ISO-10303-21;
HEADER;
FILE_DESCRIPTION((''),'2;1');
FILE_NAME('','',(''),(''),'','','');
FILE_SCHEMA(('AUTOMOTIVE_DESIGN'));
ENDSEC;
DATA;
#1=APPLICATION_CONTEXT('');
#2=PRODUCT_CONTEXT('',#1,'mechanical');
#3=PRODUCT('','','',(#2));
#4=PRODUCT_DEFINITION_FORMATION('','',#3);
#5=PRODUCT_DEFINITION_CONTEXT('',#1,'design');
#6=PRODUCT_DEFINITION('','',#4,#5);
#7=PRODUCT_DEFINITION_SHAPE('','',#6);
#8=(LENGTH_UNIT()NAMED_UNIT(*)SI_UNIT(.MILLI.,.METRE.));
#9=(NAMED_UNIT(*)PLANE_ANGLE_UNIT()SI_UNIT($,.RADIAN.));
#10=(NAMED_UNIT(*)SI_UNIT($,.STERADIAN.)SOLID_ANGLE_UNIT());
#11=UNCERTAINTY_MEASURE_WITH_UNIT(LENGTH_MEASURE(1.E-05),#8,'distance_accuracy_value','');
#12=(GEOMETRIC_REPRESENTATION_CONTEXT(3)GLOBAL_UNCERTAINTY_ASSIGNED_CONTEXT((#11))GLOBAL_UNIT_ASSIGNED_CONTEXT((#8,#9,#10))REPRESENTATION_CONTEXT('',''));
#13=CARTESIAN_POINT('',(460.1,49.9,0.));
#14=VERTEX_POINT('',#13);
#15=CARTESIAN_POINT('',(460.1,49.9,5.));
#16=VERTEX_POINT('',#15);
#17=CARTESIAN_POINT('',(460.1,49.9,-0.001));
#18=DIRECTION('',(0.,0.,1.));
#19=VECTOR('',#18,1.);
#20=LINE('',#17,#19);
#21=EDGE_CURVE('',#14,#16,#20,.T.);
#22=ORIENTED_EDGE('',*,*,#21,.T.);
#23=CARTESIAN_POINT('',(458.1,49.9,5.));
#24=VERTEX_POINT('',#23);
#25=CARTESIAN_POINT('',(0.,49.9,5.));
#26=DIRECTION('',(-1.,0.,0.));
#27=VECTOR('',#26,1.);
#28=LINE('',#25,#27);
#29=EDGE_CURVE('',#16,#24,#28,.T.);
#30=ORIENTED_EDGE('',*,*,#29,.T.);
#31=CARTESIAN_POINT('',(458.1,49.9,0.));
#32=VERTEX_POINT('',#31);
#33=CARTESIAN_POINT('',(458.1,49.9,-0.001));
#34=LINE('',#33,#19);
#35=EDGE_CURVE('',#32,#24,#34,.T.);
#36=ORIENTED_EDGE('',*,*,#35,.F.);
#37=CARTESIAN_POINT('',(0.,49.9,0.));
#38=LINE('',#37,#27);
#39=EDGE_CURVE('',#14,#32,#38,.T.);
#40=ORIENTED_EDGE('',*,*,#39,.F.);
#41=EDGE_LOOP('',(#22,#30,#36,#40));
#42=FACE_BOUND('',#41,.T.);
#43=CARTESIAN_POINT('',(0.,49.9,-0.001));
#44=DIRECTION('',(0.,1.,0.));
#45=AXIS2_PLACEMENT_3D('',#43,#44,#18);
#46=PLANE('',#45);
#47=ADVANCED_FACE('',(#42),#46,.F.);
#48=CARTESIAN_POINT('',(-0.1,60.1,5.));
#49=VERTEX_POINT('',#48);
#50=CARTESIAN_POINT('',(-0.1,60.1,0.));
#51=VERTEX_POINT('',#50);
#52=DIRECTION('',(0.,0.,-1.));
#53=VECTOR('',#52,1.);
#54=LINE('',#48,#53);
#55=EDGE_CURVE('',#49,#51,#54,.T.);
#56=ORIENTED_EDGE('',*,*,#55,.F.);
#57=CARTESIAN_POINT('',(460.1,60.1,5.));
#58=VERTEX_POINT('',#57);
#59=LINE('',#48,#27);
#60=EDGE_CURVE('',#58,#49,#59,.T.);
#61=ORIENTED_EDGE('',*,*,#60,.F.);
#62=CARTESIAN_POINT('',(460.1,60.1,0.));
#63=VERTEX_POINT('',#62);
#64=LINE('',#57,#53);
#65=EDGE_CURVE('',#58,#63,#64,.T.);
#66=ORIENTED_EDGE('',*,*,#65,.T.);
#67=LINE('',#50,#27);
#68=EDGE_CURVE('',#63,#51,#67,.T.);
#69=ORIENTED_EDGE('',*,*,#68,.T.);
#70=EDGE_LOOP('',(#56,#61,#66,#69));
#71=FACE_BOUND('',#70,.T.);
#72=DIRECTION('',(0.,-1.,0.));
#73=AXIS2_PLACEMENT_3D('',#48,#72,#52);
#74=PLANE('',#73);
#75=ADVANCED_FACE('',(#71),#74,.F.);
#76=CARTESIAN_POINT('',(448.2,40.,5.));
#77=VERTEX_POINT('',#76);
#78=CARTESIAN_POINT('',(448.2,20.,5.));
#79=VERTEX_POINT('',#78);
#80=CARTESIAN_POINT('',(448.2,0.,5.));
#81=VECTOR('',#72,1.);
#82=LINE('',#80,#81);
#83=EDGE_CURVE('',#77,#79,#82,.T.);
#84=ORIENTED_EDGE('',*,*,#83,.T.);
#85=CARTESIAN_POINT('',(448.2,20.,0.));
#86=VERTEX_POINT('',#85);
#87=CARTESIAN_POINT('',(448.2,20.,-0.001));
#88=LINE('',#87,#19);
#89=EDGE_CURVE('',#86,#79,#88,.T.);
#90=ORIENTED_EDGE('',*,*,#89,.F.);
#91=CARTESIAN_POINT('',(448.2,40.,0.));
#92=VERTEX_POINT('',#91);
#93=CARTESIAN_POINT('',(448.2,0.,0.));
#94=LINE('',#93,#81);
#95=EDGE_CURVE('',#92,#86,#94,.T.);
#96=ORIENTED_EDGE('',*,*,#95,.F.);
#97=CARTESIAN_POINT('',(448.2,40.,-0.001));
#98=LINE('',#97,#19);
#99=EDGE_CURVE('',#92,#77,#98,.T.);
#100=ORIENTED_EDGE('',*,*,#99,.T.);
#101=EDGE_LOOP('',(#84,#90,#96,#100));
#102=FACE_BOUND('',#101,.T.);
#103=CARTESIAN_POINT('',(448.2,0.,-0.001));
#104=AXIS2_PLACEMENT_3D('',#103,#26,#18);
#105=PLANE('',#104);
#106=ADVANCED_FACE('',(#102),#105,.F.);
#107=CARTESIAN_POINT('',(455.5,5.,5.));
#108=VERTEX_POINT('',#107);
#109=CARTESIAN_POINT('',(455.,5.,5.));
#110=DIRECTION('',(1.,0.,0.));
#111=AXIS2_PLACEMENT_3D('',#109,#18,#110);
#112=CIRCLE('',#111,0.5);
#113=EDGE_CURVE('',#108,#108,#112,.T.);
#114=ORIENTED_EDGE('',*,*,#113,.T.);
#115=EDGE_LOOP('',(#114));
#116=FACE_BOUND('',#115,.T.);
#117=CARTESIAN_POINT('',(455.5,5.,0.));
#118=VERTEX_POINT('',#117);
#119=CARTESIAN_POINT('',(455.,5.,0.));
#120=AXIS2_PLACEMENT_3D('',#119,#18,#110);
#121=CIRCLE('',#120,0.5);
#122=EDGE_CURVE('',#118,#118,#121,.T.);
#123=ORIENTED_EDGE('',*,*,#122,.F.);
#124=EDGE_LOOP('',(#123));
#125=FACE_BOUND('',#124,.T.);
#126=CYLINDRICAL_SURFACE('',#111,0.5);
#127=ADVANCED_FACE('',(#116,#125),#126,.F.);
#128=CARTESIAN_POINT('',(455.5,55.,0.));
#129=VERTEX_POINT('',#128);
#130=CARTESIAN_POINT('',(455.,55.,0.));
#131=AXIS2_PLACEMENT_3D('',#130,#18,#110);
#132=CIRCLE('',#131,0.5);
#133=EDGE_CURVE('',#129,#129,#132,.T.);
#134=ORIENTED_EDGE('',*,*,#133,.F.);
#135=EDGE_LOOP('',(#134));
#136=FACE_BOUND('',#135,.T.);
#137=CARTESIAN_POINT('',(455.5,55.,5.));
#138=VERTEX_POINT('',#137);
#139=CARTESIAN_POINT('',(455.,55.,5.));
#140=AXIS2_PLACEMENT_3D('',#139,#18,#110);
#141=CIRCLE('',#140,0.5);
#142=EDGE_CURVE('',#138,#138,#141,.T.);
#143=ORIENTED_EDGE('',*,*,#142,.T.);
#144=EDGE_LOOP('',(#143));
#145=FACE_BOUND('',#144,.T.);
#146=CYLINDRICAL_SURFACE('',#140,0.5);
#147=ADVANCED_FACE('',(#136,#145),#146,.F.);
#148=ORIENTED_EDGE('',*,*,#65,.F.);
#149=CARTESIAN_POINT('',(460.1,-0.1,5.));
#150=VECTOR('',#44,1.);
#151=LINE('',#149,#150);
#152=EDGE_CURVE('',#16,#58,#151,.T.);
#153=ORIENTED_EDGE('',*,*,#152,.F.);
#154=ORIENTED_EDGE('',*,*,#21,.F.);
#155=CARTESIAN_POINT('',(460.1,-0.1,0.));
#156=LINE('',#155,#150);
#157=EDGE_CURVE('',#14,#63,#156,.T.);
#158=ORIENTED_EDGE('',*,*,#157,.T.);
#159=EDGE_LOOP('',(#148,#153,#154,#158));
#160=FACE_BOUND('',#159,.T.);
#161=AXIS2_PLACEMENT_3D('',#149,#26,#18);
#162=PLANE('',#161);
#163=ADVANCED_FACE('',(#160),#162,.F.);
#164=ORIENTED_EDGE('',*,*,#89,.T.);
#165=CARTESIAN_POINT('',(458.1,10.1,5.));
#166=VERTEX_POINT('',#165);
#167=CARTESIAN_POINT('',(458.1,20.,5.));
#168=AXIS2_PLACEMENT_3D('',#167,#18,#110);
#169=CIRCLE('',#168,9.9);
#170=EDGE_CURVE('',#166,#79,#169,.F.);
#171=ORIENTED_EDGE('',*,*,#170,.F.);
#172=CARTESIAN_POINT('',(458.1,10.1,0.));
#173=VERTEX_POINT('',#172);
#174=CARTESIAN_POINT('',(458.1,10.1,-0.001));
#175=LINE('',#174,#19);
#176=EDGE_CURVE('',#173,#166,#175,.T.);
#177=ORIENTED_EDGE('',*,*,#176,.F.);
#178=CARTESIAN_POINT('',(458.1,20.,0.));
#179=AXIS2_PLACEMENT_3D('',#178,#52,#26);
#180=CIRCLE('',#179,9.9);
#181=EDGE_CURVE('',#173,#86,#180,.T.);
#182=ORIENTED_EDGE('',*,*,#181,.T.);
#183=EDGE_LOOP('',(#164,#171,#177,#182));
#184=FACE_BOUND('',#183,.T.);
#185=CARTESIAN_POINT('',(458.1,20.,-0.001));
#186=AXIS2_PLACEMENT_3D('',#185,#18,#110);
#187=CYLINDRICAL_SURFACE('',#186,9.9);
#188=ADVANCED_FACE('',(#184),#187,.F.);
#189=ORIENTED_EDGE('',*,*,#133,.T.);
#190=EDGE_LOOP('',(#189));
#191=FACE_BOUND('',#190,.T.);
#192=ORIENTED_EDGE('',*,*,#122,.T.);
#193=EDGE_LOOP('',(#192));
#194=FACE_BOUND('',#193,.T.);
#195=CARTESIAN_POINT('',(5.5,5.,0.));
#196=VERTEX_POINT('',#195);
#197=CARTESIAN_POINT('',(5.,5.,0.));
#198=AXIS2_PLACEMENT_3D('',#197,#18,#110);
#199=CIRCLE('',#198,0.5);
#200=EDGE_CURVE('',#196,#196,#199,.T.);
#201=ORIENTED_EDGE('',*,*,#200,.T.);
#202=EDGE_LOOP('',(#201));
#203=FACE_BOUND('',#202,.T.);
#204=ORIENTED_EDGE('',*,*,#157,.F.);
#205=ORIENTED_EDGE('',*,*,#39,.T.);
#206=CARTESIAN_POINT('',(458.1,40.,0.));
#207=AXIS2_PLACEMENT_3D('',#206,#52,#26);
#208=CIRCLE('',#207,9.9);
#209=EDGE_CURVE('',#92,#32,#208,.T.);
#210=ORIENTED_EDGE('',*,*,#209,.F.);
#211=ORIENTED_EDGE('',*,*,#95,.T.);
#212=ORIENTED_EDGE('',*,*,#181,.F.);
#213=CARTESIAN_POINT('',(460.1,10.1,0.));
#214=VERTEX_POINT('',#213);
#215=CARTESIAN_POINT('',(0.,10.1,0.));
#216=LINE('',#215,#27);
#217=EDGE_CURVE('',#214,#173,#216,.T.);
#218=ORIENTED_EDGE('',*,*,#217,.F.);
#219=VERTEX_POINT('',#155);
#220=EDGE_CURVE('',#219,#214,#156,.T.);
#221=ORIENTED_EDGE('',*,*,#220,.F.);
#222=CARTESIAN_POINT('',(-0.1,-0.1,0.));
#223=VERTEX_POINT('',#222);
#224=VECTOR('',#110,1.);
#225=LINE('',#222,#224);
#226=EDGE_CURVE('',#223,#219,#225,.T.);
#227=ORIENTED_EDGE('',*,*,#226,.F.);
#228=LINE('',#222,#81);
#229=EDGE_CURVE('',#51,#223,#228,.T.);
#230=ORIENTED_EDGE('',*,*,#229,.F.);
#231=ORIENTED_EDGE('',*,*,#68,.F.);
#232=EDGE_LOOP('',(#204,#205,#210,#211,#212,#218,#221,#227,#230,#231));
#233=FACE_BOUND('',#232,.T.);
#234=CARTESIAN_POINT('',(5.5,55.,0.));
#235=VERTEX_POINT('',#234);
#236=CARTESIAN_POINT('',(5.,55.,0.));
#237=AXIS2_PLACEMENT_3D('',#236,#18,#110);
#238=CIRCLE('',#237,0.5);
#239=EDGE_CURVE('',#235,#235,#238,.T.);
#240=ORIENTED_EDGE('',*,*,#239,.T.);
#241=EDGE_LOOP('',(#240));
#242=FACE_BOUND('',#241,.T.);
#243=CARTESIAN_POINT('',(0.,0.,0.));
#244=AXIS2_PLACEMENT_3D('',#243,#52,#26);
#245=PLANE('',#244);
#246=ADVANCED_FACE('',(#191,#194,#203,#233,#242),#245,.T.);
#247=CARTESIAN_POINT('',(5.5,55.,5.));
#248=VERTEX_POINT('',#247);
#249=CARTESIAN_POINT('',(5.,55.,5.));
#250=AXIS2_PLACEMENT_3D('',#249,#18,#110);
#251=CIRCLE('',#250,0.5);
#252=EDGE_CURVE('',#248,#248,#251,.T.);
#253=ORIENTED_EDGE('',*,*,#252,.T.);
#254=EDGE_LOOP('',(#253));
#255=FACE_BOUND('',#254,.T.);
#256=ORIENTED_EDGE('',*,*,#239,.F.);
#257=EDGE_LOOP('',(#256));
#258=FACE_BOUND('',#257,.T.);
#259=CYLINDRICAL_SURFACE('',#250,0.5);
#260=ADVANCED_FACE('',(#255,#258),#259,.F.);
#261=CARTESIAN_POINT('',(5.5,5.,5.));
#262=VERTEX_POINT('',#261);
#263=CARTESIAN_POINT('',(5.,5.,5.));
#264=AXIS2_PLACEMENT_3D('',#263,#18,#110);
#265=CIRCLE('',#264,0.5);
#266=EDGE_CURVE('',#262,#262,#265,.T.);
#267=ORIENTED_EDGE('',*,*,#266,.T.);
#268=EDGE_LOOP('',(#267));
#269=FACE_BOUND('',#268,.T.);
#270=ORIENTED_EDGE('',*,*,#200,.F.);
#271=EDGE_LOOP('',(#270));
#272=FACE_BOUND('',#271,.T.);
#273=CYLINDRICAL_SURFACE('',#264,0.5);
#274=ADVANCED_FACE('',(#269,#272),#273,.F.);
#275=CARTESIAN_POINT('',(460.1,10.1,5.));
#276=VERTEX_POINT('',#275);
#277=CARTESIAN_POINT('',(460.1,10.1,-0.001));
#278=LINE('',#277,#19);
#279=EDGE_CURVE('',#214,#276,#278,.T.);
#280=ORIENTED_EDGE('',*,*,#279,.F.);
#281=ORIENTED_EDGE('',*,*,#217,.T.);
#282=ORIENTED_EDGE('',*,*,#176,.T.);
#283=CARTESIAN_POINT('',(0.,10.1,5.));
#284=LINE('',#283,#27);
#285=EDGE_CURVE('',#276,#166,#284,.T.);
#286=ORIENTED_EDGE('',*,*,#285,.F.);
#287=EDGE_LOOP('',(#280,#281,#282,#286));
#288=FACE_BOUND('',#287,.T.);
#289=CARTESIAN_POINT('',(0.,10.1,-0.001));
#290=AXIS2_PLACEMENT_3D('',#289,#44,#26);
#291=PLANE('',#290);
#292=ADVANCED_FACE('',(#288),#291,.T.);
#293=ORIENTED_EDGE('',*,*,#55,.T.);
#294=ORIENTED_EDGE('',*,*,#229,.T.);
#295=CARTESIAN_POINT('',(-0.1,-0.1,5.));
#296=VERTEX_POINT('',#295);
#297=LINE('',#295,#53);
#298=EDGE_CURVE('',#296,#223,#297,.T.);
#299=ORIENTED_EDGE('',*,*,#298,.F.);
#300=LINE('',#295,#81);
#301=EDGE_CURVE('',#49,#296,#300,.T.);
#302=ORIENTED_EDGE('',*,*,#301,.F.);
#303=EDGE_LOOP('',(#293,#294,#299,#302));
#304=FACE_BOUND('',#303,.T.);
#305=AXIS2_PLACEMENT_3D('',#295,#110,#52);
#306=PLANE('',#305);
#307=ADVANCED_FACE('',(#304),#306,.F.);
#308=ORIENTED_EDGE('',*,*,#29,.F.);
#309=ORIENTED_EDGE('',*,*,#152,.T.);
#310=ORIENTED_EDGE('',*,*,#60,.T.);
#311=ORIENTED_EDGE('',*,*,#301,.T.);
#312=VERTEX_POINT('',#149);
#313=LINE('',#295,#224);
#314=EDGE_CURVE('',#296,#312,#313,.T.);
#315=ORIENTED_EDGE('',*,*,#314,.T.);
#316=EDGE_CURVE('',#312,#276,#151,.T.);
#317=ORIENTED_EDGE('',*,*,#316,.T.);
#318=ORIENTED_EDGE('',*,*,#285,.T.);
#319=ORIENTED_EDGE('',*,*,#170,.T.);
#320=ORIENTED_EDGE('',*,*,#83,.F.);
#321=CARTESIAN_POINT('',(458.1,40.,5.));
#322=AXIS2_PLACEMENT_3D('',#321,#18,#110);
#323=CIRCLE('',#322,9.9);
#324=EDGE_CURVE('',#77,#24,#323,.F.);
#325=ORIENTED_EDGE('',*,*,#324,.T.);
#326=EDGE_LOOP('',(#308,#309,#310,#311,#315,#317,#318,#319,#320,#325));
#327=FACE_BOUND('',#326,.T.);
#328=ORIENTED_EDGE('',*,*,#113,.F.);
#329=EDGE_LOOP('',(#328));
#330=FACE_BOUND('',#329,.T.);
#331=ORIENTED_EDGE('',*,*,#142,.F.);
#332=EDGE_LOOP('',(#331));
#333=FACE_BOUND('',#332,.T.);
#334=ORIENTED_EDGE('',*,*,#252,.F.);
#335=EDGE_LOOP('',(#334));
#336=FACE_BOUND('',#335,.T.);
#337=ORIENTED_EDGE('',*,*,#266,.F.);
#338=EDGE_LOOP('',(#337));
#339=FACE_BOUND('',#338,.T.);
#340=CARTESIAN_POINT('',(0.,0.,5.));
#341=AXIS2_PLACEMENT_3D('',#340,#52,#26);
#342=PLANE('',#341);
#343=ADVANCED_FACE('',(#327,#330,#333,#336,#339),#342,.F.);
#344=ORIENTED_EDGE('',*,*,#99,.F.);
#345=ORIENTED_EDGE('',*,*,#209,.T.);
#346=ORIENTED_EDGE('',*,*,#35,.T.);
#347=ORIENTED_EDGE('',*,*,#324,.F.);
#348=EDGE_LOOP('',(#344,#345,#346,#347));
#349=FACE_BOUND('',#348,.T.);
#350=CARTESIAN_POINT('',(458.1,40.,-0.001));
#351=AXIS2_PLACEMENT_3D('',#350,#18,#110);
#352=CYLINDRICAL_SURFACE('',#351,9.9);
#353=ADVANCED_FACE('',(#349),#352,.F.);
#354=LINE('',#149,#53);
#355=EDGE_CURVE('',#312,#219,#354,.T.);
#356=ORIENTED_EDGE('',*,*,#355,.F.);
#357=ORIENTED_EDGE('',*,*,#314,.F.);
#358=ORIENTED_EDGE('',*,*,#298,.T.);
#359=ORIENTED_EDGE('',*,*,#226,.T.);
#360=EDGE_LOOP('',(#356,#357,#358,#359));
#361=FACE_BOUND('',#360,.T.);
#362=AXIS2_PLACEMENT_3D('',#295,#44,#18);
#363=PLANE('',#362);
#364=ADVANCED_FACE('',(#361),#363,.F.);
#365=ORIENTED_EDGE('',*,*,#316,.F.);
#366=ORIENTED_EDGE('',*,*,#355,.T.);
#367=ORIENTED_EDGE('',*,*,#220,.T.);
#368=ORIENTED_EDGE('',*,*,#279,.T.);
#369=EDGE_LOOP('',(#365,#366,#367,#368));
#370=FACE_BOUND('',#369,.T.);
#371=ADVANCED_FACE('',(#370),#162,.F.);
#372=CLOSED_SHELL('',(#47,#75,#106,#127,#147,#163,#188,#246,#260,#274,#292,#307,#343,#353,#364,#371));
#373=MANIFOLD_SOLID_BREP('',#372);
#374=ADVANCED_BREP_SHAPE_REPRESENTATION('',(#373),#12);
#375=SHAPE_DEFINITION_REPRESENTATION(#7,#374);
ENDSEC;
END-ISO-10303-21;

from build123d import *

# Parameters (mm, degrees)
ESQUISSE1_W                   = 460.2
ESQUISSE1_H                   = 60.2
BOSS_EXTRU_1_DEPTH            = 5
DIAM_TRE_DU_PER_AGE_1_0_1_1_D = 1
ENL_V_MAT_EXTRU_1_REACH       = 7


with BuildPart() as part:
    # Esquisse1 → Boss.-Extru.1 (new body)
    with BuildSketch(Plane.XY):
        with Locations((230, 30)):
            Rectangle(ESQUISSE1_W, ESQUISSE1_H)
    extrude(amount=BOSS_EXTRU_1_DEPTH)

    # Diamètre du perçage Ø1.0 (1)1 (through all)
    with Locations(Plane.XY.offset(5)):
        with Locations((5, 55), (5, 5), (455, 5), (455, 55)):
            Hole(DIAM_TRE_DU_PER_AGE_1_0_1_1_D / 2)

    # Esquisse4 → Enlèv. mat.-Extru.1 (cut, up to next)
    with BuildSketch(Plane.XY.offset(5), mode=Mode.PRIVATE) as enl_v_mat_extru_1_sk1:
        with BuildLine():
            Line((460.1, 10.1), (460.1, 49.9))
            Line((460.1, 49.9), (458.1, 49.9))
            ThreePointArc((458.1, 49.9), (451.099642866, 47.000357134), (448.2, 40))
            Line((448.2, 40), (448.2, 20))
            ThreePointArc((448.2, 20), (451.099642866, 12.999642866), (458.1, 10.1))
            Line((458.1, 10.1), (460.1, 10.1))
        make_face()
    enl_v_mat_extru_1_tool1 = extrude(enl_v_mat_extru_1_sk1.sketch, amount=-ENL_V_MAT_EXTRU_1_REACH, mode=Mode.PRIVATE) & part.part
    add(enl_v_mat_extru_1_tool1.solids().sort_by_distance((454.51443, 30, 5))[0], mode=Mode.SUBTRACT)


solid = part.part
